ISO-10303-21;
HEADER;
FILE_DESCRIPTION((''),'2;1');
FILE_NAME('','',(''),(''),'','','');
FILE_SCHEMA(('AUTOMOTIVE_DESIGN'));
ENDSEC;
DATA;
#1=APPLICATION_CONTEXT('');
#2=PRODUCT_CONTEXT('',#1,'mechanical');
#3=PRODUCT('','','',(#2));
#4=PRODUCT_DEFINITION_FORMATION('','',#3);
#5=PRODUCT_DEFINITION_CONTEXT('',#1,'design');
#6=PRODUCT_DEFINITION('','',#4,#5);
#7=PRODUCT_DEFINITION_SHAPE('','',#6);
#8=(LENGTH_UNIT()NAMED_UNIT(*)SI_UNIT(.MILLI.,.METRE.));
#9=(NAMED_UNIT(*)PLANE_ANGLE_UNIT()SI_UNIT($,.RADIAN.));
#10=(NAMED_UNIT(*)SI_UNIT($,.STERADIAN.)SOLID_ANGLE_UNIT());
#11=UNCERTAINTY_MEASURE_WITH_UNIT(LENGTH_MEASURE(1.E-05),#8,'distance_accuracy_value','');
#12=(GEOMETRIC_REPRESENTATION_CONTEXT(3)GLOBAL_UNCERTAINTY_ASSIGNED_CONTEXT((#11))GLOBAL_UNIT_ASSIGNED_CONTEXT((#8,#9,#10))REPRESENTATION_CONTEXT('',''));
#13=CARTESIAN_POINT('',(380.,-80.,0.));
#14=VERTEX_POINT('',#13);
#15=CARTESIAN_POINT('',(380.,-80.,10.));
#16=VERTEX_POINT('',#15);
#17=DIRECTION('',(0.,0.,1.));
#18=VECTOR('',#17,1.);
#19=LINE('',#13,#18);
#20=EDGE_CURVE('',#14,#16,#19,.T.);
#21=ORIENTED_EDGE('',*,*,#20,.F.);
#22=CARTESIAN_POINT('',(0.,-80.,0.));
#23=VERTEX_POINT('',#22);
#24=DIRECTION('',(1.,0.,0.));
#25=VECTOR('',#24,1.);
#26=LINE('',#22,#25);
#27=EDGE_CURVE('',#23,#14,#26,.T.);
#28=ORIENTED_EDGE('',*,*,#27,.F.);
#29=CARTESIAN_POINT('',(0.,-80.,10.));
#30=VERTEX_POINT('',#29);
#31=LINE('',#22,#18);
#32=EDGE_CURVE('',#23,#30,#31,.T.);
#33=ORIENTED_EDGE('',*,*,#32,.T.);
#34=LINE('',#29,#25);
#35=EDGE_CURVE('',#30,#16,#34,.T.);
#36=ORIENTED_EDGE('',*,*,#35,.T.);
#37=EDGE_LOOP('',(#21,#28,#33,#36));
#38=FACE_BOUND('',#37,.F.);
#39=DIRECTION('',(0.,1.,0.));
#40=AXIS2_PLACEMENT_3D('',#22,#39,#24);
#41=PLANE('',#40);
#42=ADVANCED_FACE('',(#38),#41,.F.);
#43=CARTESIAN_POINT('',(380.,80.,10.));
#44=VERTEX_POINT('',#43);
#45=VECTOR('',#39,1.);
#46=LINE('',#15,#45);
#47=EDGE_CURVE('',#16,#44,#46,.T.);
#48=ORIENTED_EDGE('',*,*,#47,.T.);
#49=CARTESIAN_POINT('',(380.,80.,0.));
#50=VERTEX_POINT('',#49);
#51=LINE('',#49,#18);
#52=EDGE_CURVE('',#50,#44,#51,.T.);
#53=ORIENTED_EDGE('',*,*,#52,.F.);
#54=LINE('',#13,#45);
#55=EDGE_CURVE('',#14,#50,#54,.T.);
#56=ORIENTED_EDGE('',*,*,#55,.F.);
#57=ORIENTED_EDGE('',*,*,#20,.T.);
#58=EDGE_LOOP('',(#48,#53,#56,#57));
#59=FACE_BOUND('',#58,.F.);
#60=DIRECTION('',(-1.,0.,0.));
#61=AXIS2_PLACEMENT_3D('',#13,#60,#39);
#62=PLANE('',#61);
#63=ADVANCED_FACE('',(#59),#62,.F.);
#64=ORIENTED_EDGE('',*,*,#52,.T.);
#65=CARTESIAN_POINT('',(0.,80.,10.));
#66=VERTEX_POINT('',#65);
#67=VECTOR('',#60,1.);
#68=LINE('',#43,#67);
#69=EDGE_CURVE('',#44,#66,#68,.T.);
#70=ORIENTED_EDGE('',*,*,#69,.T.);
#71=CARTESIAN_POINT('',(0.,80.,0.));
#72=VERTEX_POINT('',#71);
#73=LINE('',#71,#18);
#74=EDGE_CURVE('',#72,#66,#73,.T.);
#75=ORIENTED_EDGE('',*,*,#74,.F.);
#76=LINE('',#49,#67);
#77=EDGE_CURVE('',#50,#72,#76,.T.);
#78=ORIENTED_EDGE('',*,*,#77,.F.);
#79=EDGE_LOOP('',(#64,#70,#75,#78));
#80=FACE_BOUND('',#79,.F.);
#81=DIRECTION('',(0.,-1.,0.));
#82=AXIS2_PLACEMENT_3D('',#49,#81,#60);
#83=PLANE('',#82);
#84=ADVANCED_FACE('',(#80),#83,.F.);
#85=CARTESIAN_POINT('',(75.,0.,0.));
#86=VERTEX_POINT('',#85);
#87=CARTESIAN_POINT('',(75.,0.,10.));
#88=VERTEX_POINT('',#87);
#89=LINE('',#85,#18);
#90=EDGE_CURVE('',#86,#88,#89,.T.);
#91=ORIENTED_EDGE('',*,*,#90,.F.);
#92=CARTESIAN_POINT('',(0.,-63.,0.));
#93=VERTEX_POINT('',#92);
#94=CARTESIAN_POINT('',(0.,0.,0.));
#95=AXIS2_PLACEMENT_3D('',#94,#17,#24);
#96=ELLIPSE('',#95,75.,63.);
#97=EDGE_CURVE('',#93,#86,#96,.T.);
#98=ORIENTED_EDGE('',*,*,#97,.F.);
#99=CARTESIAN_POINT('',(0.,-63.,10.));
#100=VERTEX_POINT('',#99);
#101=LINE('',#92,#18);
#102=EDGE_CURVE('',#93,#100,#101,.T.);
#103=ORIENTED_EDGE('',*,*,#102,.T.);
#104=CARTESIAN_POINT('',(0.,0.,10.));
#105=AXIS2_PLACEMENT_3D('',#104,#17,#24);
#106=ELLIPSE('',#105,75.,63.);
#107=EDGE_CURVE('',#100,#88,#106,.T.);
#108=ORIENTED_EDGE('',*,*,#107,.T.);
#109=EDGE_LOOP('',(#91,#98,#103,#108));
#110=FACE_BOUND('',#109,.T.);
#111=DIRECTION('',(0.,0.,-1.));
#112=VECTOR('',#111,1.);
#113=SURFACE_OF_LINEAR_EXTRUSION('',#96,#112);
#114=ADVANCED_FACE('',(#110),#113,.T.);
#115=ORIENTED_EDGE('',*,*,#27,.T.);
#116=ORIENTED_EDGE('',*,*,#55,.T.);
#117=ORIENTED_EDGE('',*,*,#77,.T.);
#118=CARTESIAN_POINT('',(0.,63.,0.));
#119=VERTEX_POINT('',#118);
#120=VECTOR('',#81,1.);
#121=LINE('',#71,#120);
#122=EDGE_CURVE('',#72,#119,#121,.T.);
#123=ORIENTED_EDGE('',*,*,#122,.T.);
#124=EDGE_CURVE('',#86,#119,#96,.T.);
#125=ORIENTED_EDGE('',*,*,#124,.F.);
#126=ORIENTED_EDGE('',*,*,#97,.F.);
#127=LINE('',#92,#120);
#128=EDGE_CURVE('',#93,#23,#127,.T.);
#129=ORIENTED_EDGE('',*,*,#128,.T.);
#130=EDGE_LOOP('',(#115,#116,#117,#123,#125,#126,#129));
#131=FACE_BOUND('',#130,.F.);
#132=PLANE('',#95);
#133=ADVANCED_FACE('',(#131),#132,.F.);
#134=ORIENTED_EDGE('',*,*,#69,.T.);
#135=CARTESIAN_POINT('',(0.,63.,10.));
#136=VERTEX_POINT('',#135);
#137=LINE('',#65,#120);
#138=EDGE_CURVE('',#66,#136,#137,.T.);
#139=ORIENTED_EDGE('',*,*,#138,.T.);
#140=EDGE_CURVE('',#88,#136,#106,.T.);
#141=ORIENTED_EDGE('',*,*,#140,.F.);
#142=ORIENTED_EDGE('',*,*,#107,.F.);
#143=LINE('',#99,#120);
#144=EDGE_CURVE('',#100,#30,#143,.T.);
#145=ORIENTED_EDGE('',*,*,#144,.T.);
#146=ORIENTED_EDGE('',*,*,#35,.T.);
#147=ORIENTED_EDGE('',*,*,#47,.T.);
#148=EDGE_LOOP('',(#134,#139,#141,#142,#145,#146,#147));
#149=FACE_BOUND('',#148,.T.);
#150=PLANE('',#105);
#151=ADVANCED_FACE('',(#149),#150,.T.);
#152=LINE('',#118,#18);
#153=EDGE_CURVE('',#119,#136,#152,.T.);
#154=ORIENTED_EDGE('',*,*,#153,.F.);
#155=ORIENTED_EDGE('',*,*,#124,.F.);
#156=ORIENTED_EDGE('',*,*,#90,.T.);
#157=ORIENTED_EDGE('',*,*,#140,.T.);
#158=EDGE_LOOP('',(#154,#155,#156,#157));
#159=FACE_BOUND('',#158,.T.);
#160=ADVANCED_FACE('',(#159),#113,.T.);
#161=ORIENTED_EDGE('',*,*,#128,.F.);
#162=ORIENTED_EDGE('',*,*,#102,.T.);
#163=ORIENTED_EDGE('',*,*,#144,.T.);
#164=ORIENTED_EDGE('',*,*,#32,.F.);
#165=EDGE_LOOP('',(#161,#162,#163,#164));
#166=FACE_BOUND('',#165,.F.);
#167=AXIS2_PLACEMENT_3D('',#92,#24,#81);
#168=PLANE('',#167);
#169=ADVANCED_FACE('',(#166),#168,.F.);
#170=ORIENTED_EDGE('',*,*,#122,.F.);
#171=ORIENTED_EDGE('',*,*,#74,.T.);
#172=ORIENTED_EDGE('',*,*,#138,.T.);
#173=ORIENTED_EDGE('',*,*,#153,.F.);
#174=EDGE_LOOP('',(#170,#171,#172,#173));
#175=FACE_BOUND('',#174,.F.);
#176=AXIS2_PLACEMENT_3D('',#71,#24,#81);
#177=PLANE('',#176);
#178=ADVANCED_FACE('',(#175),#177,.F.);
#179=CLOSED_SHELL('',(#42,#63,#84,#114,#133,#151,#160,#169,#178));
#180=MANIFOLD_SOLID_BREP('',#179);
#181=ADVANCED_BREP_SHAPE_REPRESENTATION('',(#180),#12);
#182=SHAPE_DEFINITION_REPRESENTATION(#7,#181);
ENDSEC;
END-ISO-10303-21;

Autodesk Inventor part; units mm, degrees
ref_plane "YZ Plane" through (0, 0, 0) normal (1, 0, 0) x (0, 1, 0)
ref_plane "XZ Plane" through (0, 0, 0) normal (0, 1, 0) x (-1, 0, 0)
ref_plane "XY Plane" through (0, 0, 0) normal (0, 0, 1) x (1, 0, 0)
sketch "Sketch1" plane through (0, 0, 0) normal (0, 0, 1) x (1, 0, 0)
  ellipse E0 centre (0, 0) end of major axis (75, 0) minor radius 63
  line L0 (0, -63) -> (0, -80)
  line L1 (0, -80) -> (380, -80)
  line L2 (380, -80) -> (380, 80)
  line L3 (380, 80) -> (0, 80)
  line L4 (0, 80) -> (0, 63)
  line L5 (0, 0) -> (380, 0) construction
  point P0 (0, 71.5)
  dimension "d12" = 75
  dimension "d13" = 63
  dimension "d14" = 160
  dimension "d15" = 380
extrude "Plate1" add sketch "Sketch1" along normal blind 10 contours E0 L4 L3 L2 L1 L0
equation "\"d16\" = Thickness"
equation "\"BendReliefDepth\" = 0.5 * Thickness"
equation "\"Thickness\" = 10"
properties part number "NVPH-344 feeder hose 1"
